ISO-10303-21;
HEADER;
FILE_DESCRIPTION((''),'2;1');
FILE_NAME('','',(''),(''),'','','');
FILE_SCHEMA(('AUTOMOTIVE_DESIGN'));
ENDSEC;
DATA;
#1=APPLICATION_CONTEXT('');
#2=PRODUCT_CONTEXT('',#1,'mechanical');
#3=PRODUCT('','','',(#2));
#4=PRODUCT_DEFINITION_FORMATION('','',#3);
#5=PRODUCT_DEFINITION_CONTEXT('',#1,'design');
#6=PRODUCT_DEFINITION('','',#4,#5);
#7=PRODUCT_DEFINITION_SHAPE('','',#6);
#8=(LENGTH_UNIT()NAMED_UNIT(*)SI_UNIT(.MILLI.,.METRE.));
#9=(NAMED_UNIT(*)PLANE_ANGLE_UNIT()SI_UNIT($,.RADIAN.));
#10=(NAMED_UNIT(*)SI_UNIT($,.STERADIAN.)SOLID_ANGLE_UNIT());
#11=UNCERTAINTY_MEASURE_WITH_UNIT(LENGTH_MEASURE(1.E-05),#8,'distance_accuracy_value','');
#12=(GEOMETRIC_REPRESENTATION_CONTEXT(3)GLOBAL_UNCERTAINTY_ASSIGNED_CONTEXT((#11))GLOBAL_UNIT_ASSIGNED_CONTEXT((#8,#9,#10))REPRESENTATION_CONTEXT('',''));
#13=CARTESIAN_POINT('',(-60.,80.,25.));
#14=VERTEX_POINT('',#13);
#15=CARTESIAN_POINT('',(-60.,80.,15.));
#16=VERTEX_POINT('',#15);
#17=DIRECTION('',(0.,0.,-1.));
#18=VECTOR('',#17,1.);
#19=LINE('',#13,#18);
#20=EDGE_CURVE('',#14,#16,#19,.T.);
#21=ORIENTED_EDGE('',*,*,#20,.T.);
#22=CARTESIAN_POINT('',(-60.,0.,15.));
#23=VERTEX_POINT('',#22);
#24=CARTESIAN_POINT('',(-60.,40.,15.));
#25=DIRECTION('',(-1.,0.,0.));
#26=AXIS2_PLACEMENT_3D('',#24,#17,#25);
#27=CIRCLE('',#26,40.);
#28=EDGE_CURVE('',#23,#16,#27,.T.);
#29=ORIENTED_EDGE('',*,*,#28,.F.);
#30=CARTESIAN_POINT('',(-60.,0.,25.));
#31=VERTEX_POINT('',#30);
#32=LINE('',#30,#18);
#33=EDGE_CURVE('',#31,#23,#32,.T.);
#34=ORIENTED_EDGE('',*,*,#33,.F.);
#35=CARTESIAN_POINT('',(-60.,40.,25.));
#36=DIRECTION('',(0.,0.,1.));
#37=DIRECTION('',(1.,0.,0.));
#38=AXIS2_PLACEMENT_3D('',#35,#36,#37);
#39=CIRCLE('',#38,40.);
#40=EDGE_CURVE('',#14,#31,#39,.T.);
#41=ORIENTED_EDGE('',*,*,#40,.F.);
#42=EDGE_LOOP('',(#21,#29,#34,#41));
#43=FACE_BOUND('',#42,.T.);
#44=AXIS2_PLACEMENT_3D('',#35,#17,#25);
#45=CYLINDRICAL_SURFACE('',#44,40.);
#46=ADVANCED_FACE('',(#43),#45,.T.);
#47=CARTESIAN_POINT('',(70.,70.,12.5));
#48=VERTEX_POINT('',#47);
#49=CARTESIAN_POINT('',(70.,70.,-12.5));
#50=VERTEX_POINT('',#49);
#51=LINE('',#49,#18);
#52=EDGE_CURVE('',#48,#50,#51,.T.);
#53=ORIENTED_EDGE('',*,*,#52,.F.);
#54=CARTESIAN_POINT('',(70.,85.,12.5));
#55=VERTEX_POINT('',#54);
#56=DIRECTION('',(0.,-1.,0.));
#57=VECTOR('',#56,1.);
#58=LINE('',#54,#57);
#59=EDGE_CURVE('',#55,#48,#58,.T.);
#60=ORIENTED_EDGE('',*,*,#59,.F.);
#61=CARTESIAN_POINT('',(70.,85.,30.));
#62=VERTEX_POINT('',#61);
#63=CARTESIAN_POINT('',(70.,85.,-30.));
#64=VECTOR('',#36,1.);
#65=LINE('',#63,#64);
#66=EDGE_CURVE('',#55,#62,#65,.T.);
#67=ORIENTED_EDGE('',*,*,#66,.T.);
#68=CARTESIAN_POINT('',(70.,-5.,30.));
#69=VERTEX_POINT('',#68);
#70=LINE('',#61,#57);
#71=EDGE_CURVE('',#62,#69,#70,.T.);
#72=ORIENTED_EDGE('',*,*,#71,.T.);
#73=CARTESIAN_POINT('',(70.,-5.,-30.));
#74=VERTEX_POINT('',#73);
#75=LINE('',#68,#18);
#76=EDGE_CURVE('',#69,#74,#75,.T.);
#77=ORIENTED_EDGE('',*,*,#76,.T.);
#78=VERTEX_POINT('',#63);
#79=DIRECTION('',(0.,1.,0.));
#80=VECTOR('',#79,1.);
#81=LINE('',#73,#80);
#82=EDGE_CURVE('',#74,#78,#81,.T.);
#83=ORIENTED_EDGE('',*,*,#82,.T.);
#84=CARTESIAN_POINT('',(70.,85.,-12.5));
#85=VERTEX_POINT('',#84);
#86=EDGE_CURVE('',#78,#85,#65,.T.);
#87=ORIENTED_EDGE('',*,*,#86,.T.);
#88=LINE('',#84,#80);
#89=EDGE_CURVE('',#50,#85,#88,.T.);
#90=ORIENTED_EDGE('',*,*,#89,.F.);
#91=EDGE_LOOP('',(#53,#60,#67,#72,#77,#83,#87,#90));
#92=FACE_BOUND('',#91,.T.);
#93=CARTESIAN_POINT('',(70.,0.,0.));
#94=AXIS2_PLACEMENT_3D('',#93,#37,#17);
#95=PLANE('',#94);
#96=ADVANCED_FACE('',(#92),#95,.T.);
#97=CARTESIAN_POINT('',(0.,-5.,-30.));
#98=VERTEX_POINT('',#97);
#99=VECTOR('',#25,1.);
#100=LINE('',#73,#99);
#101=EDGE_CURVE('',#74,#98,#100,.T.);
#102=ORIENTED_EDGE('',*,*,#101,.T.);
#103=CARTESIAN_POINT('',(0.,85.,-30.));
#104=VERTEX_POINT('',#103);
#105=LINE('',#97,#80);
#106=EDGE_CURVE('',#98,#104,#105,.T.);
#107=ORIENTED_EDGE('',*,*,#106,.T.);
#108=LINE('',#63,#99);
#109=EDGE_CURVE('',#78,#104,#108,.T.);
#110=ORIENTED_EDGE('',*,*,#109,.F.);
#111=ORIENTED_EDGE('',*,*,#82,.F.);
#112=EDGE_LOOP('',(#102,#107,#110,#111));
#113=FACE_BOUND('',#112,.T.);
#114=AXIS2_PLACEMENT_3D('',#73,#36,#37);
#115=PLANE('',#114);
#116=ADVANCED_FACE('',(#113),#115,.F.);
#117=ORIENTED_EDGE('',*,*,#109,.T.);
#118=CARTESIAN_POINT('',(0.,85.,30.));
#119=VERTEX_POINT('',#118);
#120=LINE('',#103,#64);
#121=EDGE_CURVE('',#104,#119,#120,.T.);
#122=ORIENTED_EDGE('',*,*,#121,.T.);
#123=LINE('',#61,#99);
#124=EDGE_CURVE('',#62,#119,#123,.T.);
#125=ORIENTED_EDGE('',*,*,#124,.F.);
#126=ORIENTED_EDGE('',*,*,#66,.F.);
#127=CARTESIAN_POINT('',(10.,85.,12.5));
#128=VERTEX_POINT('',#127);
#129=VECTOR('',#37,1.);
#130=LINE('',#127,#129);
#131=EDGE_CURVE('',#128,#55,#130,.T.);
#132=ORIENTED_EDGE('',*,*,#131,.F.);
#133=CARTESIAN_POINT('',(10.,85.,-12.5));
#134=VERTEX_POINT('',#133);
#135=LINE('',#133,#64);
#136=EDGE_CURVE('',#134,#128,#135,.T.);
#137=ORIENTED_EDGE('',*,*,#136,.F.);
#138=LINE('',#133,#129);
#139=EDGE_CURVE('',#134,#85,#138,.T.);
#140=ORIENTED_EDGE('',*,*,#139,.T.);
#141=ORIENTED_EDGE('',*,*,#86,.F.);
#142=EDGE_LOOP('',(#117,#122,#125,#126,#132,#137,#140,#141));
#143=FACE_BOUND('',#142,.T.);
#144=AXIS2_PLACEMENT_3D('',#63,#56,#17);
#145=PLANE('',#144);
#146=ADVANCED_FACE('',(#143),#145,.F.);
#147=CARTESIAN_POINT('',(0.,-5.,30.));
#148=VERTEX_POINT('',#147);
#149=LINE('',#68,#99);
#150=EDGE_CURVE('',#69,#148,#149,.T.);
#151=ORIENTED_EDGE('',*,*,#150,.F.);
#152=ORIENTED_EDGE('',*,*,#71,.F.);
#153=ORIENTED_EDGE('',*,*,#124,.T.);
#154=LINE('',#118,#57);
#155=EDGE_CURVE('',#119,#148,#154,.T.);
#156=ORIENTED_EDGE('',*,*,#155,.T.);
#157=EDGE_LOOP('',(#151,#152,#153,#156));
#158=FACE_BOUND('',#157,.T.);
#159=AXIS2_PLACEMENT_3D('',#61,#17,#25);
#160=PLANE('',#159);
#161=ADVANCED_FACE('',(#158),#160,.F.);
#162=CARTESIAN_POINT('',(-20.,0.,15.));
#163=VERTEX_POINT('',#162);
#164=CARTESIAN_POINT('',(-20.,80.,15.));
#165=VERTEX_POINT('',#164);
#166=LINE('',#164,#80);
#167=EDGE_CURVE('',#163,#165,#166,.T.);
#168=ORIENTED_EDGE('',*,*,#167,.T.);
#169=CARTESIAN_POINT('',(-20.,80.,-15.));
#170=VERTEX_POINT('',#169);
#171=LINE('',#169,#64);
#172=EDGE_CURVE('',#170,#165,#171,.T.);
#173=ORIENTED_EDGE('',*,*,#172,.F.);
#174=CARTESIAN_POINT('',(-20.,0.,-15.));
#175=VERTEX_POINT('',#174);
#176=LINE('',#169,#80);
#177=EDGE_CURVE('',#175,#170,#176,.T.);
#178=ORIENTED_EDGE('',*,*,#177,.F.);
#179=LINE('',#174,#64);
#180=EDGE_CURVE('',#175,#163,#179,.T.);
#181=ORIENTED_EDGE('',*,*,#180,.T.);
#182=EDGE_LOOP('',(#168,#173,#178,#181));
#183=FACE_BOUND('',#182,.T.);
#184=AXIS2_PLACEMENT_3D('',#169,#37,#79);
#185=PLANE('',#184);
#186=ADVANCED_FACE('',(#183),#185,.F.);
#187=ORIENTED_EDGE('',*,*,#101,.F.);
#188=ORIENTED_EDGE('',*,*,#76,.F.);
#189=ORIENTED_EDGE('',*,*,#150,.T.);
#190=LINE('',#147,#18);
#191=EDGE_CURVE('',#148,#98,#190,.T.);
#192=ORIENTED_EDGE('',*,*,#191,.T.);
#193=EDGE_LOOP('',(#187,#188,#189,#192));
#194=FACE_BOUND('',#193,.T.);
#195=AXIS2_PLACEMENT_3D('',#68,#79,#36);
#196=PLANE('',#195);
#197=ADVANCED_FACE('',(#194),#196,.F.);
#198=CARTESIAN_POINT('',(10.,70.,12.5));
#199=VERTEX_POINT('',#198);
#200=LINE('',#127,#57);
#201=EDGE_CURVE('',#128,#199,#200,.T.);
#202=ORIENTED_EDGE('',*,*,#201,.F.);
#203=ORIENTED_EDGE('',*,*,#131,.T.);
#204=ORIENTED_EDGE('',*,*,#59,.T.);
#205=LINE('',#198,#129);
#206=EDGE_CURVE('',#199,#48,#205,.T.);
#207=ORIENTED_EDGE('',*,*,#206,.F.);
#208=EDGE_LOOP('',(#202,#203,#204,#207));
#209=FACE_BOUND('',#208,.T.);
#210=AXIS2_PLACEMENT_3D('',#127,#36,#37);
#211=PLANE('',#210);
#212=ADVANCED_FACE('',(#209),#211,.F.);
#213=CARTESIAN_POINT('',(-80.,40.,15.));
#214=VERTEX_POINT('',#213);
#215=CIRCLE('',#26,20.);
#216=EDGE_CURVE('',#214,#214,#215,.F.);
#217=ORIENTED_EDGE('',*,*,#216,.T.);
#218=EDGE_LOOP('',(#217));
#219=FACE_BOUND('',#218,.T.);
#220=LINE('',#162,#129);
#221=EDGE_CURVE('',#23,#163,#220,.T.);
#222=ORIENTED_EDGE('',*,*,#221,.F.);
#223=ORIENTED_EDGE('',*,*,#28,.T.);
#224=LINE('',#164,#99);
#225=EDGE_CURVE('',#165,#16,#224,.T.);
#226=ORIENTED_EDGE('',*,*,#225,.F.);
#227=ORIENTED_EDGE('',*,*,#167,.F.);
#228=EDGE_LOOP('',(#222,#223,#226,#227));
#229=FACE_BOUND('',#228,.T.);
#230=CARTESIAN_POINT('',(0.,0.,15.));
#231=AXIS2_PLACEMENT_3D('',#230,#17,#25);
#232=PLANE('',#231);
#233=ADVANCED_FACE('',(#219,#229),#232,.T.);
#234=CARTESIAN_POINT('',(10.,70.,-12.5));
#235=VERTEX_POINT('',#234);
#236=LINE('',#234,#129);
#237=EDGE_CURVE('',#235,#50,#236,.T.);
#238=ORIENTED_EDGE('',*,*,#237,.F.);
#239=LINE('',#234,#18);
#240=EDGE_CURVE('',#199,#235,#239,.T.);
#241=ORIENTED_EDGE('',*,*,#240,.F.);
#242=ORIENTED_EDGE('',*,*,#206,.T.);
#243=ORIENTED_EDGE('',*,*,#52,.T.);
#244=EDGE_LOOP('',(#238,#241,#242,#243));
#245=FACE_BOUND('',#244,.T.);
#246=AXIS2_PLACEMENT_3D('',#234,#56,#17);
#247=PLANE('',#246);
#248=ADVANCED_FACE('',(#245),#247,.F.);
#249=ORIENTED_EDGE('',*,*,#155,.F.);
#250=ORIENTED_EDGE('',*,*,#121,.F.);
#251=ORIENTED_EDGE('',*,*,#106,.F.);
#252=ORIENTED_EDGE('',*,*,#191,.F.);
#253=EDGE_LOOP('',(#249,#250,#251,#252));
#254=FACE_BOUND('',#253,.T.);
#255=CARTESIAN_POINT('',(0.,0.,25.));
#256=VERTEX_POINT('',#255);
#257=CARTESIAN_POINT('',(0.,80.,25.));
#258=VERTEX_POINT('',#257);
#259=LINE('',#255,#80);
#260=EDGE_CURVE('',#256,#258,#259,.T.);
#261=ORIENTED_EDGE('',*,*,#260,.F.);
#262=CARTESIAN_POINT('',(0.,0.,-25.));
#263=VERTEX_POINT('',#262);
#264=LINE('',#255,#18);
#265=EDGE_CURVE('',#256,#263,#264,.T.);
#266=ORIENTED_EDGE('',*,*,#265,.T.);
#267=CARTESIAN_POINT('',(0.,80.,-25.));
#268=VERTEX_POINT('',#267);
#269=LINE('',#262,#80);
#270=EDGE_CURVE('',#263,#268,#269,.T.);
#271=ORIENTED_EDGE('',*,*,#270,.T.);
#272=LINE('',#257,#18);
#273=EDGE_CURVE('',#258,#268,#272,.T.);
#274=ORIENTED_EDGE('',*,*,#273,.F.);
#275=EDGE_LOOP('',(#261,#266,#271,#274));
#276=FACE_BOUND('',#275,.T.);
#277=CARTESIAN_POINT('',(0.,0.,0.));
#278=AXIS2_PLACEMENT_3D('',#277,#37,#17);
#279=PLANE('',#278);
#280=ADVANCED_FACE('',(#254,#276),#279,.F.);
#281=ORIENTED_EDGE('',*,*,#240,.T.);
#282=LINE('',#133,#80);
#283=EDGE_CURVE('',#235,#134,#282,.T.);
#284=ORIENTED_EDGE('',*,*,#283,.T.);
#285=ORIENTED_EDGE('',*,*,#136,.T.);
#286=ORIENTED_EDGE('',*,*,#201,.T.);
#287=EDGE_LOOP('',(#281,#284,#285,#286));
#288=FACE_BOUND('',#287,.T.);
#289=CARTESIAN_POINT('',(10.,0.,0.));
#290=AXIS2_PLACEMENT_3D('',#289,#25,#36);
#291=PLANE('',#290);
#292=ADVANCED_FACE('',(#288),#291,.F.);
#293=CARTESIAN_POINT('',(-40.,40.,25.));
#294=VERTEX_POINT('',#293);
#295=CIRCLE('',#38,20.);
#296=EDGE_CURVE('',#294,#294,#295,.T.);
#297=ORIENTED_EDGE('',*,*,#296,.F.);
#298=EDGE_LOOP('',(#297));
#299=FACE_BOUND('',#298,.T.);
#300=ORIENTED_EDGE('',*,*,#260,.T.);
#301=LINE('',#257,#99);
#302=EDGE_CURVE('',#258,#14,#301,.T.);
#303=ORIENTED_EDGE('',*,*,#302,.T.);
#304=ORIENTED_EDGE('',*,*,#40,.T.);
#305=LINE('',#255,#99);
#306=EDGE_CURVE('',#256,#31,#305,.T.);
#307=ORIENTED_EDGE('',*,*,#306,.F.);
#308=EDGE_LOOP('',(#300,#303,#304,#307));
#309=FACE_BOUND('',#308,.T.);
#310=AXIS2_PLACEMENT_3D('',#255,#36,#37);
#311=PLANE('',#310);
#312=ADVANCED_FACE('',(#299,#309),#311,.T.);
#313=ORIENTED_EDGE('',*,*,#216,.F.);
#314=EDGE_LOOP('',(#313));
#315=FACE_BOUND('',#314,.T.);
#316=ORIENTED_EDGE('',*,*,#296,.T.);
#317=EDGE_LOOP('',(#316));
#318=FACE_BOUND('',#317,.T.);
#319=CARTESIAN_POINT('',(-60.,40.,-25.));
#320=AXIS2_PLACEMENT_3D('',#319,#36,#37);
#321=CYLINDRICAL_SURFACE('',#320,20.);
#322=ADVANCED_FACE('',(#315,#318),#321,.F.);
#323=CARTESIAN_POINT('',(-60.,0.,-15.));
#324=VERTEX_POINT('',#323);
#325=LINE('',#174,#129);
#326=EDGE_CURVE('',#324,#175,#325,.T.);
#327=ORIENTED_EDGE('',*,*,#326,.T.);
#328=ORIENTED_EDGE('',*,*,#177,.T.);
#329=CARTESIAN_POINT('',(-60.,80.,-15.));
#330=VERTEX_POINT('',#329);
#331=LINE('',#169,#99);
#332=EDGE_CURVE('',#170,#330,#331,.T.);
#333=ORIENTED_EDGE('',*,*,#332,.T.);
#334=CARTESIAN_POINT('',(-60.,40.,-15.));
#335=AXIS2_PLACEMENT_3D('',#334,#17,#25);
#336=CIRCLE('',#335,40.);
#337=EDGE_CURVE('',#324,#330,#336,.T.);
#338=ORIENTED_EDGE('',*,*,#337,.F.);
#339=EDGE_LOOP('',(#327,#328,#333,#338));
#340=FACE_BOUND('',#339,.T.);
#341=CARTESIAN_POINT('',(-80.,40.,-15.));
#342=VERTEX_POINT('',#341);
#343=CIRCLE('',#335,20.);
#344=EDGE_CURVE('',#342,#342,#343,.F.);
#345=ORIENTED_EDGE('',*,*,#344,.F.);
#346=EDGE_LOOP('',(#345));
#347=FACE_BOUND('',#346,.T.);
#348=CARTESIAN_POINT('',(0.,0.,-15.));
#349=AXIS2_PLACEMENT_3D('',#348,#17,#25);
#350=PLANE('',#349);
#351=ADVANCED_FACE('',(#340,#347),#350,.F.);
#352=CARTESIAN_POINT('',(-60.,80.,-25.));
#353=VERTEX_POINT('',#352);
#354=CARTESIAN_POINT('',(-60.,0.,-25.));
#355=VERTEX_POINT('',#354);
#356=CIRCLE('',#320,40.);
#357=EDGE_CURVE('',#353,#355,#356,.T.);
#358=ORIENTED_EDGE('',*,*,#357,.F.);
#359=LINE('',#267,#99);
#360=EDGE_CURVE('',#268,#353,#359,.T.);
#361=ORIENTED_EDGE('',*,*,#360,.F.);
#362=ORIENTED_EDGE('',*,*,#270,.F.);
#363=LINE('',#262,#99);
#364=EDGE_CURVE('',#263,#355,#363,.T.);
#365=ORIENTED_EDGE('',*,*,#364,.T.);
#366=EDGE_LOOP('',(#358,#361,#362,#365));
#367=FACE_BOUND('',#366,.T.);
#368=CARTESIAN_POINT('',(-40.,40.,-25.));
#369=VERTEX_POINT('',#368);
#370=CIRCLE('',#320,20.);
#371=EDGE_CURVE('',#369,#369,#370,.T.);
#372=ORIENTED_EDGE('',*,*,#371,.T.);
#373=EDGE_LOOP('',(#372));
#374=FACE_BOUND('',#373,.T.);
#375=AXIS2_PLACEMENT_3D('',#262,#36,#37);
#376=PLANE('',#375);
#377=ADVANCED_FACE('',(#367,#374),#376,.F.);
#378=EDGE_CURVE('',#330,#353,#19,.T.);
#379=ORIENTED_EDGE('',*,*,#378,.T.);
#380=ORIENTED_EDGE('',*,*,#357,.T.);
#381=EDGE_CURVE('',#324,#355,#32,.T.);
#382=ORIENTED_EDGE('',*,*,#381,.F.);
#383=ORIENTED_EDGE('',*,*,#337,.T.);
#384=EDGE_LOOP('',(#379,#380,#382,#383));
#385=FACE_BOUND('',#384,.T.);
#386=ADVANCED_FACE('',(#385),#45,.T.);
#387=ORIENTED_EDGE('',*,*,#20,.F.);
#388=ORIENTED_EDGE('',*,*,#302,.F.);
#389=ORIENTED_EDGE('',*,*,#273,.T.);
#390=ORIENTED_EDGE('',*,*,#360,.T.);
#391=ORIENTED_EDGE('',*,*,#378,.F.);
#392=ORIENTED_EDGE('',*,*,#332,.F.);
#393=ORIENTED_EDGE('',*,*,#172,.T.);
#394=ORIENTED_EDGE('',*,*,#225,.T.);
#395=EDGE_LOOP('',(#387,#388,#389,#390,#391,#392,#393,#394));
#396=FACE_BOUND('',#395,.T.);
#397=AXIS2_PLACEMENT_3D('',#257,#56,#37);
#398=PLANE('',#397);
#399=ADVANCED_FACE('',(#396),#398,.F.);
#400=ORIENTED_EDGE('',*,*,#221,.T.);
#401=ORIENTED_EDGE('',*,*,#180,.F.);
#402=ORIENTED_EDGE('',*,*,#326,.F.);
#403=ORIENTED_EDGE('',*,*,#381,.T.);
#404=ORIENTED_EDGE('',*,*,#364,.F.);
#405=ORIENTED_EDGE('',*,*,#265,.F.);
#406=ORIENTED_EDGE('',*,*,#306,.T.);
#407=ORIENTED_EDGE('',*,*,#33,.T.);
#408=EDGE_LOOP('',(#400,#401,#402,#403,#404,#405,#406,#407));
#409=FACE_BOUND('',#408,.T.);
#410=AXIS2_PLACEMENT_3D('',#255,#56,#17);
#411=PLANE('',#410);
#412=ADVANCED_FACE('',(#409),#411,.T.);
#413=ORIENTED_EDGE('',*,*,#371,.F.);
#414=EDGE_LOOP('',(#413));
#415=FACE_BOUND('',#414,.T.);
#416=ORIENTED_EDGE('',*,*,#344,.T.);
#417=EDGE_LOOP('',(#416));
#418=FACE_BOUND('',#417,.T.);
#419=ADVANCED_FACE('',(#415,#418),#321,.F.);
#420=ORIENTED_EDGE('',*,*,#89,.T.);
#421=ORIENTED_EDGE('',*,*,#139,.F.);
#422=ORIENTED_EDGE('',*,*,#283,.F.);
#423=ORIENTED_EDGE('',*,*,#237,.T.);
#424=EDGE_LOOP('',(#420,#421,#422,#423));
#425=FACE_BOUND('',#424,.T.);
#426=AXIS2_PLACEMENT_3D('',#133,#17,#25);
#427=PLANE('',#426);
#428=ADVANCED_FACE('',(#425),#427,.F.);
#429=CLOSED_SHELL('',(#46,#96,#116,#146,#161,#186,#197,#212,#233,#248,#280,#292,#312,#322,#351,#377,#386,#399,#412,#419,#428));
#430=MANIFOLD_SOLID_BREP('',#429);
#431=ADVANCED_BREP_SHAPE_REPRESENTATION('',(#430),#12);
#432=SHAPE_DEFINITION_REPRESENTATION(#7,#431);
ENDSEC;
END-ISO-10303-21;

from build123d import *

# Parameters (mm, degrees)
BOSS_EXTRUDE1_DEPTH = 25
SKETCH2_R           = 20
CUT_EXTRUDE1_DEPTH  = 51
SKETCH3_W           = 80
SKETCH3_H           = 80
CUT_EXTRUDE2_DEPTH  = 15
SKETCH4_W           = 60
SKETCH4_H           = 90
BOSS_EXTRUDE2_DEPTH = 70
SKETCH5_W           = 25
SKETCH5_H           = 15
CUT_EXTRUDE3_DEPTH  = 60


with BuildPart() as part:
    # Sketch1 → Boss-Extrude1 (new body, symmetric)
    with BuildSketch(Plane.XY):
        with BuildLine():
            Line((-60, 0), (0, 0))
            Line((0, 0), (0, 80))
            Line((0, 80), (-60, 80))
            ThreePointArc((-60, 80), (-88.284271217, 68.284271278), (-100, 40.000000086))
            ThreePointArc((-100, 40.000000086), (-88.284271278, 11.715728783), (-60, 0))
        make_face()
    extrude(amount=BOSS_EXTRUDE1_DEPTH, both=True)

    # Sketch2 → Cut-Extrude1 (cut, through all)
    with BuildSketch(Plane.XY.offset(25)):
        with Locations((-60, 40)):
            Circle(SKETCH2_R)
    extrude(amount=-CUT_EXTRUDE1_DEPTH, mode=Mode.SUBTRACT)

    # Sketch3 → Cut-Extrude2 (cut, symmetric)
    with BuildSketch(Plane.XY):
        with Locations((-60, 40)):
            Rectangle(SKETCH3_W, SKETCH3_H)
    extrude(amount=CUT_EXTRUDE2_DEPTH, both=True, mode=Mode.SUBTRACT)

    # Sketch4 → Boss-Extrude2 (add)
    with BuildSketch(Plane(origin=(0, 0, 0), x_dir=(0, 0, -1), z_dir=(1, 0, 0))):
        with Locations((0, 40)):
            Rectangle(SKETCH4_W, SKETCH4_H)
    extrude(amount=BOSS_EXTRUDE2_DEPTH)

    # Sketch5 → Cut-Extrude3 (cut)
    with BuildSketch(Plane(origin=(70, 0, 0), x_dir=(0, 0, -1), z_dir=(1, 0, 0))):
        with Locations((0, 77.5)):
            Rectangle(SKETCH5_W, SKETCH5_H)
    extrude(amount=-CUT_EXTRUDE3_DEPTH, mode=Mode.SUBTRACT)


solid = part.part
